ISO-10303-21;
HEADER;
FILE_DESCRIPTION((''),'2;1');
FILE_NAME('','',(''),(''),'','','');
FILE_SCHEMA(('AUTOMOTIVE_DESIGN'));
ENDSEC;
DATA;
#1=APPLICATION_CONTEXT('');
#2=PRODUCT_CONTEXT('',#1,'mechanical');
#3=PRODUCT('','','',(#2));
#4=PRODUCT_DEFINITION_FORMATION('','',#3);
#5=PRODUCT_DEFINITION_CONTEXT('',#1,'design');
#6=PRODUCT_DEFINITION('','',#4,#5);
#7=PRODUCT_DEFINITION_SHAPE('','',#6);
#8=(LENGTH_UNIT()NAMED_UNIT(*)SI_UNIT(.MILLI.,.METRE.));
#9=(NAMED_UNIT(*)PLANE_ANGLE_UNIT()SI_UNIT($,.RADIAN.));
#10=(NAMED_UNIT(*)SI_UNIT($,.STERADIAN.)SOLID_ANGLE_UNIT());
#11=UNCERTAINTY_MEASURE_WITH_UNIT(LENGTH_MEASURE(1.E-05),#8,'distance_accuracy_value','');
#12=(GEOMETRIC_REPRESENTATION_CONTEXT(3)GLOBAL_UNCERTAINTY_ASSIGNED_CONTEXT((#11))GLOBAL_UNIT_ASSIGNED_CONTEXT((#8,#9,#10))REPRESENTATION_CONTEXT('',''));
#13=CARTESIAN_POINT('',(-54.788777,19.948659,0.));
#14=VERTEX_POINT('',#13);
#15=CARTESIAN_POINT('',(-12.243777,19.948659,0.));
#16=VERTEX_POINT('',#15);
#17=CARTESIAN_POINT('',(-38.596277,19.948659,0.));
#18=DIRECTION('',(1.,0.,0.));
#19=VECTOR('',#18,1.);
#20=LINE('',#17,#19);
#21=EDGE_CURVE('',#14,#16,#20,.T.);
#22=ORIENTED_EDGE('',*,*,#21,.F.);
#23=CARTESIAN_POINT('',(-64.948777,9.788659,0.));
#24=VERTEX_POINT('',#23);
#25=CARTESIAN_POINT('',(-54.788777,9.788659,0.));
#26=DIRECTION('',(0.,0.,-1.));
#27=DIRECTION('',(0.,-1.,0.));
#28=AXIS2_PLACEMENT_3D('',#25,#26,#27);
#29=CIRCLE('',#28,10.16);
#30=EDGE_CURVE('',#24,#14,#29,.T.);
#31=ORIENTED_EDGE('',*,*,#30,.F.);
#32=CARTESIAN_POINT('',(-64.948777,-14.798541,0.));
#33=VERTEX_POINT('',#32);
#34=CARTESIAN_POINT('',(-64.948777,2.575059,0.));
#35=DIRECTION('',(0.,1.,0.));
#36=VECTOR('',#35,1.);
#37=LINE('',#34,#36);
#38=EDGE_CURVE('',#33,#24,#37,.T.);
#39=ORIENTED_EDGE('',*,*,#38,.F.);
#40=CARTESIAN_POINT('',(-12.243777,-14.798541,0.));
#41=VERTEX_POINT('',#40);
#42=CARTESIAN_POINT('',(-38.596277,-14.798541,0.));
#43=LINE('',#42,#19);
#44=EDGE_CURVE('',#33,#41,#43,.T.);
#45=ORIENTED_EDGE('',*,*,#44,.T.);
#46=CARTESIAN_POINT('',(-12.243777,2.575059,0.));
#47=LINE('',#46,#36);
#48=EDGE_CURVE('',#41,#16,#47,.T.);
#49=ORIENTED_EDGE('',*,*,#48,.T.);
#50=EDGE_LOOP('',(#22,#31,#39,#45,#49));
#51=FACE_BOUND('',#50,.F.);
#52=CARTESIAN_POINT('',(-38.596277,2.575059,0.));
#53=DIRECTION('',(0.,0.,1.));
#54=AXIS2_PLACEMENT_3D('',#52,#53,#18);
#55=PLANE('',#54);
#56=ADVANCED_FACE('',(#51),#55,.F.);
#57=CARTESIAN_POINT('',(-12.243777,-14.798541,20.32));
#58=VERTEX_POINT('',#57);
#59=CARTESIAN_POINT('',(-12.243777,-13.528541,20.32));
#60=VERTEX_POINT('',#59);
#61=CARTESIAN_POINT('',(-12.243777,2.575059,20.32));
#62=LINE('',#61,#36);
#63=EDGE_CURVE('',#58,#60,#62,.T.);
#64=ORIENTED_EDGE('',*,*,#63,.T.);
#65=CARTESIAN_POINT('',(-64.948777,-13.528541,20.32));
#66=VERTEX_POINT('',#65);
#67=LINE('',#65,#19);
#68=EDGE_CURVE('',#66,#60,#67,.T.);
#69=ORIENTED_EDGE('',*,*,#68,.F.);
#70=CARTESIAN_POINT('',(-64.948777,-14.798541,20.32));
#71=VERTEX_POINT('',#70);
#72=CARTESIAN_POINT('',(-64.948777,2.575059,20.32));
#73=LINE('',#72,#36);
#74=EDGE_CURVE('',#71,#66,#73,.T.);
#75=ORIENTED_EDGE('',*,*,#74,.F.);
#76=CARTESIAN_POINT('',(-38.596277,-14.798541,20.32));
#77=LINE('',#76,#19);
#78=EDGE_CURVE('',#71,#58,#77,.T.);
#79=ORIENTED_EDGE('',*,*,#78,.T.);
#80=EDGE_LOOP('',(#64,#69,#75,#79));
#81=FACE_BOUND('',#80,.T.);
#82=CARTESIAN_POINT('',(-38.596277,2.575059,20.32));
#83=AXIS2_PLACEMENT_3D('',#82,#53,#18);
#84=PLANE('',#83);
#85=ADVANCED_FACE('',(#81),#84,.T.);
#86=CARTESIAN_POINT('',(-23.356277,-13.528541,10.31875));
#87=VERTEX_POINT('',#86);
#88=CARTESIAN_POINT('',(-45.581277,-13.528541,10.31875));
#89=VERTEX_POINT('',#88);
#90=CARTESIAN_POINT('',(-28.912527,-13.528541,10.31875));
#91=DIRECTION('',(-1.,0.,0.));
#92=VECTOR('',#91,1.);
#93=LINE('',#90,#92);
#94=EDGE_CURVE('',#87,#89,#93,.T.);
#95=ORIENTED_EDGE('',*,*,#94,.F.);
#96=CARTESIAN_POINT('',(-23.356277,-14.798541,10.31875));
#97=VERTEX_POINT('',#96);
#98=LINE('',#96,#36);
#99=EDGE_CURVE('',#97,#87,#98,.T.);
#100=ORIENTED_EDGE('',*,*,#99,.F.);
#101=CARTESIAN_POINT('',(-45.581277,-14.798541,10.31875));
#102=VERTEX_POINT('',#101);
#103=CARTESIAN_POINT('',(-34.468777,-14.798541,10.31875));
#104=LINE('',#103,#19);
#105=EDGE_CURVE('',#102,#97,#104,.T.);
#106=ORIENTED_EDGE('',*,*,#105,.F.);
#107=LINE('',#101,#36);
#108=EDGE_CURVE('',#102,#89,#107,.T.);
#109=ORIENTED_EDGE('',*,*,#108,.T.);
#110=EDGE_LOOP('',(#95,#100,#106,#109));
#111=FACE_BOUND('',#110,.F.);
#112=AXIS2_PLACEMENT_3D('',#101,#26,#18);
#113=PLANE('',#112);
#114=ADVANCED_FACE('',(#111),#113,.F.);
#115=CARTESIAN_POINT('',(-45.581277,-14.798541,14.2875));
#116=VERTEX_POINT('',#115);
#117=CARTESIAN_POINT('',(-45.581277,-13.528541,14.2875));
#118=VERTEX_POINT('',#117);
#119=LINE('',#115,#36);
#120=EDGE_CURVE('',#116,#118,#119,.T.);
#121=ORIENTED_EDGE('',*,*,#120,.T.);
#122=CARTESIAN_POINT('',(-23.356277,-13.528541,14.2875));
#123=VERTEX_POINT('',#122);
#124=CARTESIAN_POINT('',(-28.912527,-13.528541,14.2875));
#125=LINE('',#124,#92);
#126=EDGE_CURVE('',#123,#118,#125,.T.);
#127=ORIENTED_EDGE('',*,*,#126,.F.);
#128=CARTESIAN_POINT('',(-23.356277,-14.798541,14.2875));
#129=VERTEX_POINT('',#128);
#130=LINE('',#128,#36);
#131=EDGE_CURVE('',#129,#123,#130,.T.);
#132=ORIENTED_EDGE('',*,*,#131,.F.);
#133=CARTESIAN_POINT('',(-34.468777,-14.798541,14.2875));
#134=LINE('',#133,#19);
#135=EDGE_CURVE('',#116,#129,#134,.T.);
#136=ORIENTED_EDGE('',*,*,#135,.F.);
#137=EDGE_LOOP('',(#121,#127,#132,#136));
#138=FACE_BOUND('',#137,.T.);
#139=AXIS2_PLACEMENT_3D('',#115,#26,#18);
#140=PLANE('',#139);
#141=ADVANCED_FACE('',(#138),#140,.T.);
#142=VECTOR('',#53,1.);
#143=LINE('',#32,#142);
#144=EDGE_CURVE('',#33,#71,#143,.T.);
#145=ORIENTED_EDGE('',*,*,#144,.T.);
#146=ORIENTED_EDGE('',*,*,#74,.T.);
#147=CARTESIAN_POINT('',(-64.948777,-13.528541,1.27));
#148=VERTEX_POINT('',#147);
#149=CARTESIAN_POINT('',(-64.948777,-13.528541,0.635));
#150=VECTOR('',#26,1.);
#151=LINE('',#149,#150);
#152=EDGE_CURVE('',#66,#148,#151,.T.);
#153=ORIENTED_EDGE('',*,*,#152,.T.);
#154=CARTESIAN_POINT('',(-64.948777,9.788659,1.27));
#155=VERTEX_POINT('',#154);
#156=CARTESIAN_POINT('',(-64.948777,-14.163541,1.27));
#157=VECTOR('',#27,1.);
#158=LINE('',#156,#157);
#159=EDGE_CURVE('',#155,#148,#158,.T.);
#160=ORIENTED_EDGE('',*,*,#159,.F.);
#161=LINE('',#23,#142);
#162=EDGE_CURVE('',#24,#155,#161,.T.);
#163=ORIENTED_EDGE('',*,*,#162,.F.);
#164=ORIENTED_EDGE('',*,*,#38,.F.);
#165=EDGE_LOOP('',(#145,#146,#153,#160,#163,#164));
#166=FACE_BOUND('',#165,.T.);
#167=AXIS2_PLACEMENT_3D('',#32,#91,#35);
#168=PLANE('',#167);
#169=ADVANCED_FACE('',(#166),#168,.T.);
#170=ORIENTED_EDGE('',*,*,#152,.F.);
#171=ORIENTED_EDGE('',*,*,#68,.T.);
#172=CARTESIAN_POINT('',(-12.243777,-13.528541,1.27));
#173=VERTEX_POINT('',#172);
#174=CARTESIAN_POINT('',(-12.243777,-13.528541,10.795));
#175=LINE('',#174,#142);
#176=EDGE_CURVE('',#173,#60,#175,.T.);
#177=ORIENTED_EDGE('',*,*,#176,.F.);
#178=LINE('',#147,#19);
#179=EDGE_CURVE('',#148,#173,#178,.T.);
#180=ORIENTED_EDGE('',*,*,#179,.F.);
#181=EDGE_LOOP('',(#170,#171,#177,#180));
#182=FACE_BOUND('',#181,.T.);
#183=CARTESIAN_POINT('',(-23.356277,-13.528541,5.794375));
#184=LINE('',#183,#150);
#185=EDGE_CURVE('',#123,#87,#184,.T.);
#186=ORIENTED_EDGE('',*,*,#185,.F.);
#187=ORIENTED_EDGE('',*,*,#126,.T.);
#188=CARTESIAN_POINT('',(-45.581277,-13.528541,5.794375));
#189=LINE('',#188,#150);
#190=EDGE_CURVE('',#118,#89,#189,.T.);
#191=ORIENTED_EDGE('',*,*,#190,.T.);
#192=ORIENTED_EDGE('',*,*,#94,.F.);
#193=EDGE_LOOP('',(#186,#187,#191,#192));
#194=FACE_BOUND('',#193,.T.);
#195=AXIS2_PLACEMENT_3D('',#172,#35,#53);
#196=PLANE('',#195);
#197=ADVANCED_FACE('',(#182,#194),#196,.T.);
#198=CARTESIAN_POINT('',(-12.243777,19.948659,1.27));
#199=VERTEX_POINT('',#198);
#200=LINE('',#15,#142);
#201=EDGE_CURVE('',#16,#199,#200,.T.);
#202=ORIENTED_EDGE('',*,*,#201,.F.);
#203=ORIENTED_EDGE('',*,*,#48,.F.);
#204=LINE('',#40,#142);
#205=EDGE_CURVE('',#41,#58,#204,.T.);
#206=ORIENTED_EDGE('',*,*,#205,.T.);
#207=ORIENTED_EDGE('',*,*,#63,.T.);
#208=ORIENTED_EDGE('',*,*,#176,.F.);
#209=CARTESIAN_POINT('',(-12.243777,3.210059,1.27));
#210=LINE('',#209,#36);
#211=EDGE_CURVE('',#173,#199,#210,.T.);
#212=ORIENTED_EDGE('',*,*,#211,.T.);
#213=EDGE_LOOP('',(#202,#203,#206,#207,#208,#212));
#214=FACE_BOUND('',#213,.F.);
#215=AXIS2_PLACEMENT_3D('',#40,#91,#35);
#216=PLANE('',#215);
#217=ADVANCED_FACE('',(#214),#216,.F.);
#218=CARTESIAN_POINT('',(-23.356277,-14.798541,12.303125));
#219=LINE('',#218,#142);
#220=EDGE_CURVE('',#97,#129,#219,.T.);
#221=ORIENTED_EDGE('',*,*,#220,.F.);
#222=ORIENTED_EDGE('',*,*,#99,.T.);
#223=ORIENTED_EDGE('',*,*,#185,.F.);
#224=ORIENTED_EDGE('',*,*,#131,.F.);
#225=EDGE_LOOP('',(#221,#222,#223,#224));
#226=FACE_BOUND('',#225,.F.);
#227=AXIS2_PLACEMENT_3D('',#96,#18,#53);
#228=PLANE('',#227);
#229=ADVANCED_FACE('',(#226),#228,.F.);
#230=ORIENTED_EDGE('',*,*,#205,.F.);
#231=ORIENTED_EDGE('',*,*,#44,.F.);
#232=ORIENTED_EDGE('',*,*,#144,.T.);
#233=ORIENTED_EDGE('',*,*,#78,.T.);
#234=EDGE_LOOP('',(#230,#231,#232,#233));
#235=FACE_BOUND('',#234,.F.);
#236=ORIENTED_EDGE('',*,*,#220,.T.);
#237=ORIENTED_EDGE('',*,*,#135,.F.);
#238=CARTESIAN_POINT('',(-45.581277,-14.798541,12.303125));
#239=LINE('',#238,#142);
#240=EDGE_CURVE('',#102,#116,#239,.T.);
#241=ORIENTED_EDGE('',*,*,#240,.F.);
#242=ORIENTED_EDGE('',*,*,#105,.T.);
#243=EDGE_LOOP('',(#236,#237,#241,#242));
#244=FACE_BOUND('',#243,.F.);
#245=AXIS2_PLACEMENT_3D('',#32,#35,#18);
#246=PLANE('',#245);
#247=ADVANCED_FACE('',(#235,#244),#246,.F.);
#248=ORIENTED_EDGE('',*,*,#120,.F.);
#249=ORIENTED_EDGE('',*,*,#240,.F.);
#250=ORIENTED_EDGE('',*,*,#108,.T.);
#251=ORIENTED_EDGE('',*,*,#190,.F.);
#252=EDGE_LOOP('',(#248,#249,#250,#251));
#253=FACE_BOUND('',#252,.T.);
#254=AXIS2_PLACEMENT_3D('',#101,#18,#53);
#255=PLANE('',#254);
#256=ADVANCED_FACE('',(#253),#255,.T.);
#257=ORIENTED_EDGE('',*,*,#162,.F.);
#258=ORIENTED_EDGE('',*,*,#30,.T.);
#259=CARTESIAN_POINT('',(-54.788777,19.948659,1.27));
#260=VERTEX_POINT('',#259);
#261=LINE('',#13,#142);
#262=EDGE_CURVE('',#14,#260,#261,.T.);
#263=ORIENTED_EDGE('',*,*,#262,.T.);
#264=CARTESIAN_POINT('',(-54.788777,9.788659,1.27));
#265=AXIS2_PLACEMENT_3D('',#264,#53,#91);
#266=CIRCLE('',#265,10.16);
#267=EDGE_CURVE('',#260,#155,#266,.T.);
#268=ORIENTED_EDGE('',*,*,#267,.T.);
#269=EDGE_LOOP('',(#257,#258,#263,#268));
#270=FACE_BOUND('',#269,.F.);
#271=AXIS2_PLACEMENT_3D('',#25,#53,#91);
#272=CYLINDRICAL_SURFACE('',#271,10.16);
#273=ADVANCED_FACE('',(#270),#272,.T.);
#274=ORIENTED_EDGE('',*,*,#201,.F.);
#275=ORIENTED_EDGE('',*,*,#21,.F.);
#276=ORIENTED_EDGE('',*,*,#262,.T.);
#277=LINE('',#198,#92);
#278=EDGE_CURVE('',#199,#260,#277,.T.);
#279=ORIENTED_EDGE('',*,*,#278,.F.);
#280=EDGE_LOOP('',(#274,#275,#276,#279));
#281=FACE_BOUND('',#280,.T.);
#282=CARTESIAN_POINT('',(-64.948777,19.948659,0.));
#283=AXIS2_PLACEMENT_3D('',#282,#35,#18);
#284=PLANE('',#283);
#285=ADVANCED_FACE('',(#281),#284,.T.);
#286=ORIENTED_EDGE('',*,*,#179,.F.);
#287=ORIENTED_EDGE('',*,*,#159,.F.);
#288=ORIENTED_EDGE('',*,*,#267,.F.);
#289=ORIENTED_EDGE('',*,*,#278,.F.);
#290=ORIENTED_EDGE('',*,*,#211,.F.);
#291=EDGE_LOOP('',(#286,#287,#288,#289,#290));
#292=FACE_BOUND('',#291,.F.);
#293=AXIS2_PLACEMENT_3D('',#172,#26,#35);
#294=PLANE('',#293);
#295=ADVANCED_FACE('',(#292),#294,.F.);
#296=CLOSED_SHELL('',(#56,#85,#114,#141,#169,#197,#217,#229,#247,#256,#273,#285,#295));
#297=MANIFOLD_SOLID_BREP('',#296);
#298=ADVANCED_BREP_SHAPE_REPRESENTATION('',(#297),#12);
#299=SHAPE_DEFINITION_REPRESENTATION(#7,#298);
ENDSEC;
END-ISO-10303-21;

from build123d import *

# Parameters (mm, degrees)
F0_W      = 52.705
F0_H      = 34.7472
F0_W_2    = 50.165
F0_H_2    = 32.2072
F1_DEPTH  = 20.32
F2_DEPTH  = 1.27
F3_R      = 10.16
F6_W      = 22.0472
F6_H      = 1.27
F7_DEPTH  = 0.381
F8_W      = 33.4772
F8_H      = 19.05
F9_DEPTH  = 78.74
F10_W     = 22.225
F10_H     = 3.96875
F11_DEPTH = 25.4


with BuildPart() as f1:
    # F0 (on Top) → F1 (new body)
    with BuildSketch(Plane.XY):
        with Locations((-38.596277, 2.575059)):
            Rectangle(F0_W, F0_H)
        with Locations((-38.596277, 2.575059)):
            Rectangle(F0_W_2, F0_H_2, mode=Mode.SUBTRACT)
    extrude(amount=F1_DEPTH)

    # F0 (on Top) → F2 (join)
    with BuildSketch(Plane.XY):
        with Locations((-38.596277, 2.575059)):
            Rectangle(F0_W_2, F0_H_2)
    extrude(amount=F2_DEPTH)

    # F3
    f3_edges = [f1.edges().sort_by_distance(p)[0] for p in [
        (-64.948777, 19.948659, 10.16),
        (-63.678777, 18.678659, 10.795),
    ]]
    fillet(f3_edges, radius=F3_R)

    # F6 (on face) → F7 (join)
    with BuildSketch(Plane(origin=(-13.513777, 0, 0), x_dir=(0, -1, 0), z_dir=(-1, 0, 0))):
        with Locations((2.504941, 8.5725)):
            Rectangle(F6_W, F6_H)
    extrude(amount=F7_DEPTH)

    # F8 (on face) → F9 (cut)
    with BuildSketch(Plane.YZ.offset(-12.243777)):
        with Locations((3.210059, 10.795)):
            Rectangle(F8_W, F8_H)
    extrude(amount=-F9_DEPTH, mode=Mode.SUBTRACT)

    # F10 (on face) → F11 (cut)
    with BuildSketch(Plane.XZ.offset(14.798541)):
        with Locations((-34.468777, 12.303125)):
            Rectangle(F10_W, F10_H)
    extrude(amount=-F11_DEPTH, mode=Mode.SUBTRACT)


solid = f1.part
